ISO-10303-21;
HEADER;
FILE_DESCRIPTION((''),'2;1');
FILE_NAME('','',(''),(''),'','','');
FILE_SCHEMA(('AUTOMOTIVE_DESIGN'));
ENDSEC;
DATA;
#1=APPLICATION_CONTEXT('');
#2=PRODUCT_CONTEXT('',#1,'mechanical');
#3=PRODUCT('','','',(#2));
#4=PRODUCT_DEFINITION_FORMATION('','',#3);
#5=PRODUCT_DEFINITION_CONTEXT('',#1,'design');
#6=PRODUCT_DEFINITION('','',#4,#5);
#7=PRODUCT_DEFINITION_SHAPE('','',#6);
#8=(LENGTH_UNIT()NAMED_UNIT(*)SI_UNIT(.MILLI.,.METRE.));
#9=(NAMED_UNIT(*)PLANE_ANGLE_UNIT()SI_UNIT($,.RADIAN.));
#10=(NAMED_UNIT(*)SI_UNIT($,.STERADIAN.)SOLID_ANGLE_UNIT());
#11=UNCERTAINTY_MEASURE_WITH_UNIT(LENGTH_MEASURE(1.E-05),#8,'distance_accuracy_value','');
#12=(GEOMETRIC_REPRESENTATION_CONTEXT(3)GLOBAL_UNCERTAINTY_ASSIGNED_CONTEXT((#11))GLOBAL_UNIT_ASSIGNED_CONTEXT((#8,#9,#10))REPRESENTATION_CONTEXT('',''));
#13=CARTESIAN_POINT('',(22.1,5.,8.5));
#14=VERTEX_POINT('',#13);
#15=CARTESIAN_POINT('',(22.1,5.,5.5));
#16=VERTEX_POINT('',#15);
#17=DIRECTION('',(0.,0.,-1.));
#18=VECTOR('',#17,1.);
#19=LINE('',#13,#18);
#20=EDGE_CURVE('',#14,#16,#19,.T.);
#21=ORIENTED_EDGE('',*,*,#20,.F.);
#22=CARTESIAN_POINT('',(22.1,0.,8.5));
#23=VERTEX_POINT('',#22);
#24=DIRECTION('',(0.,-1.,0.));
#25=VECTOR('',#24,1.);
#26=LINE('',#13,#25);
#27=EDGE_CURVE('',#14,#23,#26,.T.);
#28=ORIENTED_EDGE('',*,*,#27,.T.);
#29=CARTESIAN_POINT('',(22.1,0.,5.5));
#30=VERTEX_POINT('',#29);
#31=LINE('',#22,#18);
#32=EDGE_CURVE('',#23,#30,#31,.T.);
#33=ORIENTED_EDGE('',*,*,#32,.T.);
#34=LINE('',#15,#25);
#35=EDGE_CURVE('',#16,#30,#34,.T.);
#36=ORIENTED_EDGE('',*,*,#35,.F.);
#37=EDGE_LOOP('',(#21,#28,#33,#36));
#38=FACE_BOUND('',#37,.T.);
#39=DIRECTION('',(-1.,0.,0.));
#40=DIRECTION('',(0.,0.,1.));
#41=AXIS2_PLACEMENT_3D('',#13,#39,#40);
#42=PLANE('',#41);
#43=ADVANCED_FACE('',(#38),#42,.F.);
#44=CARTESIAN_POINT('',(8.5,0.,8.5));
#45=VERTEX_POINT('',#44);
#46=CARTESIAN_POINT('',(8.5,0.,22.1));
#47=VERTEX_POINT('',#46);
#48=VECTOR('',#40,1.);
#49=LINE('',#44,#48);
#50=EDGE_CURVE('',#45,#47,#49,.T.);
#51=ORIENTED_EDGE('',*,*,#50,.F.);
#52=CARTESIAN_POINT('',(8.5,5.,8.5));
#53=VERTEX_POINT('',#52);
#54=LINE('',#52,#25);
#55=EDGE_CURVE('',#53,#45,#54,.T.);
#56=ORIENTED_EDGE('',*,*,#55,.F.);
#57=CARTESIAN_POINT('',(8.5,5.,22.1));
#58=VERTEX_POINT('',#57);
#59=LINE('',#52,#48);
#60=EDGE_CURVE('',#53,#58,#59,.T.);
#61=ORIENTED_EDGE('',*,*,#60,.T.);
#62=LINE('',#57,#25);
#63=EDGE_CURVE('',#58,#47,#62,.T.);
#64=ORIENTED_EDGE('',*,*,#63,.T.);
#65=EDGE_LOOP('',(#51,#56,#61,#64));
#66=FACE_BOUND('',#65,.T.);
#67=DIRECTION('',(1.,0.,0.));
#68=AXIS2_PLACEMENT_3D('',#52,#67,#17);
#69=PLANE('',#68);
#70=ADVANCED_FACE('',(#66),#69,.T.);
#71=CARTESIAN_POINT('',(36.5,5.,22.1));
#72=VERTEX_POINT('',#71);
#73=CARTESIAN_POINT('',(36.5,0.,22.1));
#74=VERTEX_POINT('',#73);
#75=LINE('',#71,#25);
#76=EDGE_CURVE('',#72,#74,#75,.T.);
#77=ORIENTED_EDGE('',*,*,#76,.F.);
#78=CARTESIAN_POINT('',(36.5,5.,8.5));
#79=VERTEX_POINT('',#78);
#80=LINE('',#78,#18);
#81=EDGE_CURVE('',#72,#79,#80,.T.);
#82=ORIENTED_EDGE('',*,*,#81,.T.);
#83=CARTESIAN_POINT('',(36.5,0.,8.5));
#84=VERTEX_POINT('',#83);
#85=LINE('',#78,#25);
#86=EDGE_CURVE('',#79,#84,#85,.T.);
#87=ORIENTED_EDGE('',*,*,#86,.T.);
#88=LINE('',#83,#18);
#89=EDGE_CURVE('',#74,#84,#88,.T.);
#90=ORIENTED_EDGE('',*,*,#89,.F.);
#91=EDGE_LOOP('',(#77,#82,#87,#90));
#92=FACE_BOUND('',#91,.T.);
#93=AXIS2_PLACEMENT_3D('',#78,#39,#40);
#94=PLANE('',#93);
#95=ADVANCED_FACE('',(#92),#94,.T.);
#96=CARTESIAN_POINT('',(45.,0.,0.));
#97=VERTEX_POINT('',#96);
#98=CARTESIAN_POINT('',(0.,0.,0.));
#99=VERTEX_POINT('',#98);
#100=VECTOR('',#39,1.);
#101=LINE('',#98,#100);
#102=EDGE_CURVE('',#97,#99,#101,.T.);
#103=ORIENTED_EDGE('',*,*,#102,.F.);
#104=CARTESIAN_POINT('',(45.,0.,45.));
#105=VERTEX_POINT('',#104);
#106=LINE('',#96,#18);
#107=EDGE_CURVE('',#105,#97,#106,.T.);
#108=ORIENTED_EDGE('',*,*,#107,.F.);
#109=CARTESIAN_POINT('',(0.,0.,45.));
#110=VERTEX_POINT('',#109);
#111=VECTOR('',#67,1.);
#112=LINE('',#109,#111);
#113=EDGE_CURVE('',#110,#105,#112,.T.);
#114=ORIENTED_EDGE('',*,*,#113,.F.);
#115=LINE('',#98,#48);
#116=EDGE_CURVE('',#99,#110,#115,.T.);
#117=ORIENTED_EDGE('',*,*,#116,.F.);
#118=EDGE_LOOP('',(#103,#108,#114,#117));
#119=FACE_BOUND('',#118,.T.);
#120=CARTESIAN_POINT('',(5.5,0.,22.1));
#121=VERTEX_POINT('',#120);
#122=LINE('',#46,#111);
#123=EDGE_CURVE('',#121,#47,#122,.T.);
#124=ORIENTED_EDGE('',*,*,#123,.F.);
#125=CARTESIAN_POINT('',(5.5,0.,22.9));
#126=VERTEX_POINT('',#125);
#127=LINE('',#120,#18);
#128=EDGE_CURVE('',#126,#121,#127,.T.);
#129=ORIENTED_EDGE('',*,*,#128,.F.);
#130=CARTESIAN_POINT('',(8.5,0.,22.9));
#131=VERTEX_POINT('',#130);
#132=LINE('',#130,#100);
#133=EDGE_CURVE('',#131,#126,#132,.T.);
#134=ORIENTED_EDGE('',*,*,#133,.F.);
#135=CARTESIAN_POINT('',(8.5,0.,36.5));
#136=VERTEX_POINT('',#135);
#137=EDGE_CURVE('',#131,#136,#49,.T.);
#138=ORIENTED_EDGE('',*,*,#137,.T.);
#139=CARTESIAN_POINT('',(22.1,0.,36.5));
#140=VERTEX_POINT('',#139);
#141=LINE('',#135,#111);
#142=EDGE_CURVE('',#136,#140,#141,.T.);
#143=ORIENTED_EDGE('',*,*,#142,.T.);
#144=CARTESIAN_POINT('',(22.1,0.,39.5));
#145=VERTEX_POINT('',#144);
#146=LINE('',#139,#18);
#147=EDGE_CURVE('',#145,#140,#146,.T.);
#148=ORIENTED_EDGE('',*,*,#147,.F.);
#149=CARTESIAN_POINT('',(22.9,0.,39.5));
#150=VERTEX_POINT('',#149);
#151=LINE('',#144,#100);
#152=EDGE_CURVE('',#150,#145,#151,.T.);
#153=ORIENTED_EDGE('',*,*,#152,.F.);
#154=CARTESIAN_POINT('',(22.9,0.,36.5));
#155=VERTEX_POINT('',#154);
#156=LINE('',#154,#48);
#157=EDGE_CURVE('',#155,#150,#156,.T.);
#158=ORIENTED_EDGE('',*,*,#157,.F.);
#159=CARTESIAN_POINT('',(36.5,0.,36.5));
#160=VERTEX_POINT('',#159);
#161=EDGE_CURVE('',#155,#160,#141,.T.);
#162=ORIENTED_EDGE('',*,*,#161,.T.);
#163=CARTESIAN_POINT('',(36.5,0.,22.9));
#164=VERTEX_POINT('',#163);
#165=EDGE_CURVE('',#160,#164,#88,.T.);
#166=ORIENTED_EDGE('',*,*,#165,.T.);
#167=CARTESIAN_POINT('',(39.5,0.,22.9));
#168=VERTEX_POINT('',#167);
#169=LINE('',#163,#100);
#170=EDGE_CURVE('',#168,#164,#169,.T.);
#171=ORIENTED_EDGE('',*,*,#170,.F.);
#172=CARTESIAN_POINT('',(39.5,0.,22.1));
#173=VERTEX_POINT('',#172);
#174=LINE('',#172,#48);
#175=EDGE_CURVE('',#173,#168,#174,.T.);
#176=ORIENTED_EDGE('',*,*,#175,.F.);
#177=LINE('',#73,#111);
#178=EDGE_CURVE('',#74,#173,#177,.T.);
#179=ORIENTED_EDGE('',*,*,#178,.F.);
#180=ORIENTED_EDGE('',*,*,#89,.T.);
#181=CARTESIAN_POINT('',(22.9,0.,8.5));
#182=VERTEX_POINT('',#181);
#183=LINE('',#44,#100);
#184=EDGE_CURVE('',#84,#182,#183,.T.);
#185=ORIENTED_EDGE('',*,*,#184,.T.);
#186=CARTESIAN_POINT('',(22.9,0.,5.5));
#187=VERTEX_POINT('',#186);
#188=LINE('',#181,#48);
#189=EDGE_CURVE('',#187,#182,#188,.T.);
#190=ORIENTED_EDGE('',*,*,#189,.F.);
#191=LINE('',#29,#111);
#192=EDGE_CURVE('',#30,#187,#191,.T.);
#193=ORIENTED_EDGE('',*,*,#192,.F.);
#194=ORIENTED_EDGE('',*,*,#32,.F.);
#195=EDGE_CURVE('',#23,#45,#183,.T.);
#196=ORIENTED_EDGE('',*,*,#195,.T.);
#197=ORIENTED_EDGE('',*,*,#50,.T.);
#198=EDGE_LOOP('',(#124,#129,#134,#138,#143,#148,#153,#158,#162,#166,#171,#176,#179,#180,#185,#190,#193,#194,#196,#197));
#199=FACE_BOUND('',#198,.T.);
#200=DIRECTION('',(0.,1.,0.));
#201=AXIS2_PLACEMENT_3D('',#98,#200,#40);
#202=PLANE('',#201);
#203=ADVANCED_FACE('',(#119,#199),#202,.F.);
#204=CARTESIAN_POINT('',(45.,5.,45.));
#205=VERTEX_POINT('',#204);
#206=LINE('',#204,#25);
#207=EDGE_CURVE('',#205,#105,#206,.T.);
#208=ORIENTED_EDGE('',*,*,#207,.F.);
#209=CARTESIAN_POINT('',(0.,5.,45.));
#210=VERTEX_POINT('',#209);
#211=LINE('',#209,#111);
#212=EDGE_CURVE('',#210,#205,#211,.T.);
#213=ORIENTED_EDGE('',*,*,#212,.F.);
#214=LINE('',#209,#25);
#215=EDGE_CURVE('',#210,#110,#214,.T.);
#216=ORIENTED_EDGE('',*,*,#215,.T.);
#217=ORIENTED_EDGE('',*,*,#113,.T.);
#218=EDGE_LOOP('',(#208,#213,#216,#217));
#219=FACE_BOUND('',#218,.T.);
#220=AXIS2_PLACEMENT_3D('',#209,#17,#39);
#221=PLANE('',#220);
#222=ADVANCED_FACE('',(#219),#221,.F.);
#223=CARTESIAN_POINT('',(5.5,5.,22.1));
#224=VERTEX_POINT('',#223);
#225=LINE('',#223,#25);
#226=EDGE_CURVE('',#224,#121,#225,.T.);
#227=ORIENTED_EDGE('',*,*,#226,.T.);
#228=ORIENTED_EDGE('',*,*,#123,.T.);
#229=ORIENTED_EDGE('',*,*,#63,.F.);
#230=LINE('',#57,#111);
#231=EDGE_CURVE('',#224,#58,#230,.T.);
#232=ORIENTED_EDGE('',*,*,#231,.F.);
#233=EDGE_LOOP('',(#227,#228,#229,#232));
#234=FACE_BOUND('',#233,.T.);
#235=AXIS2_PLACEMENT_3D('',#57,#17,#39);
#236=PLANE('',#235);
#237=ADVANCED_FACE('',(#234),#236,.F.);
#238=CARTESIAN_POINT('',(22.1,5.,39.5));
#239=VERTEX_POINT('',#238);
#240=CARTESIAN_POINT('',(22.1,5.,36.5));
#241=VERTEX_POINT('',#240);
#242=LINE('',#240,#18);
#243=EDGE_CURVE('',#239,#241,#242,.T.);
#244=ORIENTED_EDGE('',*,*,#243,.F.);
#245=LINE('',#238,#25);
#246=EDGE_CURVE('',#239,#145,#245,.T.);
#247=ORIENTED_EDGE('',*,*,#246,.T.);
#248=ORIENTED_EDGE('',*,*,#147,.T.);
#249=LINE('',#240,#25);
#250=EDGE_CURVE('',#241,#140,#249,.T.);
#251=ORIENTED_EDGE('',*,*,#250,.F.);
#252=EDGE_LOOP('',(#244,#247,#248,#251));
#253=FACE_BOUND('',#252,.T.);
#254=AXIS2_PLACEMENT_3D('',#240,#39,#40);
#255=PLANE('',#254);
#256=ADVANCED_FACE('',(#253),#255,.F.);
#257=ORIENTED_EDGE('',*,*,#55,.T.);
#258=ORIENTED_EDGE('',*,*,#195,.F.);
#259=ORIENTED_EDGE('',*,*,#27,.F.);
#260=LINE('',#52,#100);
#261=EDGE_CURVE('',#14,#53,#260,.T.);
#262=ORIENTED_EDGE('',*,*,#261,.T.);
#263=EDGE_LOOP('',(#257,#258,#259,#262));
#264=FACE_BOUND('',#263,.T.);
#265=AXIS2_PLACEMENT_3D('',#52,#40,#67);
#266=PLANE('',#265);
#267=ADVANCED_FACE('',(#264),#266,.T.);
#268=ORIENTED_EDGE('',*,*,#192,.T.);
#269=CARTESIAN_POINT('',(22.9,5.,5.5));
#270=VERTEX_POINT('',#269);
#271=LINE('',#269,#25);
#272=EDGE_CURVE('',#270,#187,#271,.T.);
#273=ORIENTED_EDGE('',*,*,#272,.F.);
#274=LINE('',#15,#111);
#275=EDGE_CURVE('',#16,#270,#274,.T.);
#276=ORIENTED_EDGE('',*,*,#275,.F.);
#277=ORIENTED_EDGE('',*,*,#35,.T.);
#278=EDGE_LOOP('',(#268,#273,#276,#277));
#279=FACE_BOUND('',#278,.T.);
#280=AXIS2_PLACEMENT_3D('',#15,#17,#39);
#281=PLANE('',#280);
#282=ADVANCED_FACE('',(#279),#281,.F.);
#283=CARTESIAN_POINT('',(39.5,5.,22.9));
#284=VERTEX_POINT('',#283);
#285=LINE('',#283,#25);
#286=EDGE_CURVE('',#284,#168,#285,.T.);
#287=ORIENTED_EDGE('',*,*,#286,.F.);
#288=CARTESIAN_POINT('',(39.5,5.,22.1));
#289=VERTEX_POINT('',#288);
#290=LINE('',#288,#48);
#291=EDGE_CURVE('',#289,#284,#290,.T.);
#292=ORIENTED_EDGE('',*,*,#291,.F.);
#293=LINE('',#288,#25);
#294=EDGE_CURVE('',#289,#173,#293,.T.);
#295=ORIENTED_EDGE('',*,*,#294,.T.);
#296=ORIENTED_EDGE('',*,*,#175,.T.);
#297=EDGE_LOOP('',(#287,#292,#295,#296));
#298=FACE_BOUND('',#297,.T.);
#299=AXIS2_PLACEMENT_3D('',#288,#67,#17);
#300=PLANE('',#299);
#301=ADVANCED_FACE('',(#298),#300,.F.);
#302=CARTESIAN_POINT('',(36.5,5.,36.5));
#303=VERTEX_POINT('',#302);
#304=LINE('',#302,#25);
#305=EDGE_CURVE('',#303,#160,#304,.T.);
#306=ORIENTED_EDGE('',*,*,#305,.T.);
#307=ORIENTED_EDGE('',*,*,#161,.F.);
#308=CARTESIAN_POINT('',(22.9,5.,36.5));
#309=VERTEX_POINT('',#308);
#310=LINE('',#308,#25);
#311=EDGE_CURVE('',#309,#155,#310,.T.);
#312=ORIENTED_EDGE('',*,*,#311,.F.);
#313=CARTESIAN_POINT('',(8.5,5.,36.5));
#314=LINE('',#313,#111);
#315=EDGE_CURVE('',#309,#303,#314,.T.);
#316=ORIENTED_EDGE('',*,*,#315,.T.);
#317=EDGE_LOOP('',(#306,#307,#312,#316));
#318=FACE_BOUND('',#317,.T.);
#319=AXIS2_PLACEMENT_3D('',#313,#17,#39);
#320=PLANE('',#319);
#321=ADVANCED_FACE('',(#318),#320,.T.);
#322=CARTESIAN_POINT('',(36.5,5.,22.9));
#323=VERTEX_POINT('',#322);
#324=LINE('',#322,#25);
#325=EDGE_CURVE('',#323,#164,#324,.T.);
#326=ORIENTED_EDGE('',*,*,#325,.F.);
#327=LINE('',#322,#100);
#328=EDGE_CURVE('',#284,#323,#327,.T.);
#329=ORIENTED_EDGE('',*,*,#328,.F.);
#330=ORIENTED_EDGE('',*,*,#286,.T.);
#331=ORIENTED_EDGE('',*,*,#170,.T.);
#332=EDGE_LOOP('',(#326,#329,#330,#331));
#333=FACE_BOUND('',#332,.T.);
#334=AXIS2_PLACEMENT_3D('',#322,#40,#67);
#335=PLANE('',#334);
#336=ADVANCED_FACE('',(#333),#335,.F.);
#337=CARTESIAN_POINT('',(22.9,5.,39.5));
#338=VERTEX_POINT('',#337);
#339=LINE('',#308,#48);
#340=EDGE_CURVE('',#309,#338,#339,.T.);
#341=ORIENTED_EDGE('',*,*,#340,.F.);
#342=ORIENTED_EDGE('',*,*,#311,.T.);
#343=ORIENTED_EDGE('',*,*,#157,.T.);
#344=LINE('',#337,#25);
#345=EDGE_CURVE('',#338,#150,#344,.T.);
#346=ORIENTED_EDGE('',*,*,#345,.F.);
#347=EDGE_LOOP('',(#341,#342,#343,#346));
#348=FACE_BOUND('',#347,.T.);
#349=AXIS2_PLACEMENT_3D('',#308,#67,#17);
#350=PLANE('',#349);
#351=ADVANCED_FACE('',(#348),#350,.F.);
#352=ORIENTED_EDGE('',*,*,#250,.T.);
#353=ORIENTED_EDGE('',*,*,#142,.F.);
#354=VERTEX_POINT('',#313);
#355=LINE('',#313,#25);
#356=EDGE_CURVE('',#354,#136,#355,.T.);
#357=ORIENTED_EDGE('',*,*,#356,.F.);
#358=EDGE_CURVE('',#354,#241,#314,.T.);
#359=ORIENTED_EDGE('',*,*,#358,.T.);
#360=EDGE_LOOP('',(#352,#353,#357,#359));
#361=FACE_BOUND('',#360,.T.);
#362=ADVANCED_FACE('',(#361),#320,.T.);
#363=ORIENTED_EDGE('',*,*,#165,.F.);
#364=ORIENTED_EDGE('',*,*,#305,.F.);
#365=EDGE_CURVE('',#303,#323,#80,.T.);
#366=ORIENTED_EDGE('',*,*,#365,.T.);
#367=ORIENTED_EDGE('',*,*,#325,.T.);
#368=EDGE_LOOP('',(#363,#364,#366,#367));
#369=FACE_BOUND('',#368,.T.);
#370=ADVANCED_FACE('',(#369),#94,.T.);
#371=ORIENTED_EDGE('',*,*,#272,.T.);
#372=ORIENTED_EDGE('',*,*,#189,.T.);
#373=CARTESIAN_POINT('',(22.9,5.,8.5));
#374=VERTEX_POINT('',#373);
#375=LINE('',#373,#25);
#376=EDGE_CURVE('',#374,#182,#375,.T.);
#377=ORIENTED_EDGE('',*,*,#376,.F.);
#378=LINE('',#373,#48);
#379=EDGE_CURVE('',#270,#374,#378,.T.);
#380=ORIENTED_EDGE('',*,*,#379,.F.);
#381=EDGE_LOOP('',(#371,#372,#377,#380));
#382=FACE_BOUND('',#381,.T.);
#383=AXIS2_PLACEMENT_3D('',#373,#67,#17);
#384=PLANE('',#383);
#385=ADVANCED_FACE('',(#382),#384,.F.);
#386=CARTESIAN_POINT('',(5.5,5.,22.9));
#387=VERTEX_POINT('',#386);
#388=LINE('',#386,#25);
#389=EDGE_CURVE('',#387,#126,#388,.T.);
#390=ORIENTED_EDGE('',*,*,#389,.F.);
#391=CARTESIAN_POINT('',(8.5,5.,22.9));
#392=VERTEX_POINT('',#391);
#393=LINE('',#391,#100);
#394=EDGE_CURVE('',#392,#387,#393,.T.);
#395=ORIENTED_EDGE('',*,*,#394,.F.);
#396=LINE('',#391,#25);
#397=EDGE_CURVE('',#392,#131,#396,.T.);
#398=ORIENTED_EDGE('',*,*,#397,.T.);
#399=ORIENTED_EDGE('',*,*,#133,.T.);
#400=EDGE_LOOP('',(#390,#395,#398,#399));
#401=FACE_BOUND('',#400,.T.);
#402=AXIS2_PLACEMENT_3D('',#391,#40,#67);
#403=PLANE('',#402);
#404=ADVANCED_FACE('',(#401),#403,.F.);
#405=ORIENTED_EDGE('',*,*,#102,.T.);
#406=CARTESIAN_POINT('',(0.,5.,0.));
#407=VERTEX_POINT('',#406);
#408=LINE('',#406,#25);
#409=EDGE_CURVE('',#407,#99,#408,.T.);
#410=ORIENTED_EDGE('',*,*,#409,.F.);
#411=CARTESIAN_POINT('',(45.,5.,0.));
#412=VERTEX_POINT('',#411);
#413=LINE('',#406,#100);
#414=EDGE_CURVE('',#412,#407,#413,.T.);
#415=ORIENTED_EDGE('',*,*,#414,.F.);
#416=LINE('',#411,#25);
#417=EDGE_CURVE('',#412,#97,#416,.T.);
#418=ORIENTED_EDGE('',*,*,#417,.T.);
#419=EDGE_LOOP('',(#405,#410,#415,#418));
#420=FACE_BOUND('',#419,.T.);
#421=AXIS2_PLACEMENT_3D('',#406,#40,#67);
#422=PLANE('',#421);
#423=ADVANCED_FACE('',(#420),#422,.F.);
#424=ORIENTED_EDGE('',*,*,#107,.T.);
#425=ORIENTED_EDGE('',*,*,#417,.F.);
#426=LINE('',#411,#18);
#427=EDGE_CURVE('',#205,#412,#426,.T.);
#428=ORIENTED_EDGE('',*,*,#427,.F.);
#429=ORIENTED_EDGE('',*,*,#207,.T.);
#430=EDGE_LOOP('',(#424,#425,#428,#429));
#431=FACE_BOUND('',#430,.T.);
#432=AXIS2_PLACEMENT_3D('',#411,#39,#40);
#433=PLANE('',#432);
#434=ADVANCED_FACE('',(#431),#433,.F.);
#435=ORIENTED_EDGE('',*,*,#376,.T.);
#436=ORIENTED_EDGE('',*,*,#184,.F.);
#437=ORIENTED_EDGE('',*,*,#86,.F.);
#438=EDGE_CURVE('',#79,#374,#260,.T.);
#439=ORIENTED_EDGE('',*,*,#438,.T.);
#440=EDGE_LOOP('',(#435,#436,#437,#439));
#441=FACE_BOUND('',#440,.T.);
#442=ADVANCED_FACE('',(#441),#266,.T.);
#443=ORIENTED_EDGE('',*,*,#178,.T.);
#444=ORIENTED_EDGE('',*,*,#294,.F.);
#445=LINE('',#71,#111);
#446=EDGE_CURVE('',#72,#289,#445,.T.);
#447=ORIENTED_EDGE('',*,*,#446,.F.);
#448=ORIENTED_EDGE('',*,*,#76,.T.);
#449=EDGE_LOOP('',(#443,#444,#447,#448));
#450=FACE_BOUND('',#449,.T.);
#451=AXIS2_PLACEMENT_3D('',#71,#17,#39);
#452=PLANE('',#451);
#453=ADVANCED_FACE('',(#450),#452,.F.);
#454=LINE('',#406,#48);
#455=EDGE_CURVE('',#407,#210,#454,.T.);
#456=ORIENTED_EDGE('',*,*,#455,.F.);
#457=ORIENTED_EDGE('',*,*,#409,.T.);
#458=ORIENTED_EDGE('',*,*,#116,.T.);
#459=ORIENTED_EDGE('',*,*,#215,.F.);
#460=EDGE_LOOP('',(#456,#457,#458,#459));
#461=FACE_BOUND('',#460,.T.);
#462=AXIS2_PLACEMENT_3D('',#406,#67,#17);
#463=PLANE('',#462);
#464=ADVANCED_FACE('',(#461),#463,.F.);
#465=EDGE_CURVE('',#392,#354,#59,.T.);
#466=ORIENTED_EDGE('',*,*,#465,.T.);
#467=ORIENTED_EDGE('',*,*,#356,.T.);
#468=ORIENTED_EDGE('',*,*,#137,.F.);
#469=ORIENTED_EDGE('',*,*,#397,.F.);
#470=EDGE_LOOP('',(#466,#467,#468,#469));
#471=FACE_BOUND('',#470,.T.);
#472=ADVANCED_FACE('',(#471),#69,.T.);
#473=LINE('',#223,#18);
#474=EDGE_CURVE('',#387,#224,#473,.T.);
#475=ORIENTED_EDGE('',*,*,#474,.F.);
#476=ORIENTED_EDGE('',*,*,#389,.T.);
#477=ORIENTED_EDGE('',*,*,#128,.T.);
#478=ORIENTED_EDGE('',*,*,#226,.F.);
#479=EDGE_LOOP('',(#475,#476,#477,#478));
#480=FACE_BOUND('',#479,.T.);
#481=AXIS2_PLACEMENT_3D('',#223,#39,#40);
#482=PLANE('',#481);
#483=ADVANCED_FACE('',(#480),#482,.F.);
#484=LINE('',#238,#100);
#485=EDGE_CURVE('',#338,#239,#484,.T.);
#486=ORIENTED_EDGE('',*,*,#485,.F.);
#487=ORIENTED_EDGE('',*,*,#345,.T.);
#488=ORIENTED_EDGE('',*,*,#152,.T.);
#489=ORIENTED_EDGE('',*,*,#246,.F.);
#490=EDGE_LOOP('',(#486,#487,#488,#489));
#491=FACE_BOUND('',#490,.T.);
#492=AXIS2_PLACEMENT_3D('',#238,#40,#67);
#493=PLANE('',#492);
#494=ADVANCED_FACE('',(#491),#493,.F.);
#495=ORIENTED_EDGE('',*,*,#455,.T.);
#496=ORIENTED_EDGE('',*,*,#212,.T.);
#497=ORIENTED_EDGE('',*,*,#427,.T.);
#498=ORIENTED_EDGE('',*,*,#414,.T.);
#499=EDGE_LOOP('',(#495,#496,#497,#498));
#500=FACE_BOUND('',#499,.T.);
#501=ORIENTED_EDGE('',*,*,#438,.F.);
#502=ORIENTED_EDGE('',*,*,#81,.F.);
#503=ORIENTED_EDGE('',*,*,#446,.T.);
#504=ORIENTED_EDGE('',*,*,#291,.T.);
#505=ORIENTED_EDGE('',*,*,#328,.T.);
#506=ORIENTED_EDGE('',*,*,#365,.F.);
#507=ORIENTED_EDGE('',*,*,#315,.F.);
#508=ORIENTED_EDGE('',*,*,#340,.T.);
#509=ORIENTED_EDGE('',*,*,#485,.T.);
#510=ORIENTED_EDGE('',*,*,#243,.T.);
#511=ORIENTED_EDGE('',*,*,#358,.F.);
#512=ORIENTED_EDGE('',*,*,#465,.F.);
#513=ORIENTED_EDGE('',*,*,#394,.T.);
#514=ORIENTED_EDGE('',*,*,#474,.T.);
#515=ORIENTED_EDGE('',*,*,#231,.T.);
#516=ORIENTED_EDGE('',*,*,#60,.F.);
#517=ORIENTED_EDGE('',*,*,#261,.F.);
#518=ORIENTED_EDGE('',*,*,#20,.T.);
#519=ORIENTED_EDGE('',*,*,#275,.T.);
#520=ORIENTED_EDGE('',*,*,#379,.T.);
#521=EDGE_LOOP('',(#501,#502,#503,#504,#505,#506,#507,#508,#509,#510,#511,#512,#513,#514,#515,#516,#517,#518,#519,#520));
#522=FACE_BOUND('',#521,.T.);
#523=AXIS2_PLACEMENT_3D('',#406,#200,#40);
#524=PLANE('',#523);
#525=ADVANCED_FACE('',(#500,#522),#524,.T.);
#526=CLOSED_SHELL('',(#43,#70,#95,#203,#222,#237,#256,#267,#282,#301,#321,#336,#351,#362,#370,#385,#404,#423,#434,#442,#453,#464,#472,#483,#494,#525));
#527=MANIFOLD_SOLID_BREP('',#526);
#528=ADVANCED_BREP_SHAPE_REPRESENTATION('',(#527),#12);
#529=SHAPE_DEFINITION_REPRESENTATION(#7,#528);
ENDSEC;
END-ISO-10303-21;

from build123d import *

# Parameters (mm, degrees)
CROQUIS1_W              = 45
CROQUIS1_H              = 45
CROQUIS1_W_2            = 28
CROQUIS1_H_2            = 28
SALIENTE_EXTRUIR1_DEPTH = 5
CROQUIS2_W              = 0.8
CROQUIS2_H              = 3
CROQUIS2_W_2            = 3
CROQUIS2_H_2            = 0.8
CORTAR_EXTRUIR1_DEPTH   = 5


with BuildPart() as part:
    # Croquis1 → Saliente-Extruir1 (new body)
    with BuildSketch(Plane(origin=(0, 0, 0), x_dir=(1, 0, 0), z_dir=(0, 1, 0))):
        with Locations((22.5, -22.5)):
            Rectangle(CROQUIS1_W, CROQUIS1_H)
        with Locations((22.5, -22.5)):
            Rectangle(CROQUIS1_W_2, CROQUIS1_H_2, mode=Mode.SUBTRACT)
    extrude(amount=SALIENTE_EXTRUIR1_DEPTH)

    # Croquis2 → Cortar-Extruir1 (cut)
    with BuildSketch(Plane.XZ):
        with Locations((22.5, 38)):
            Rectangle(CROQUIS2_W, CROQUIS2_H)
        with Locations((38, 22.5)):
            Rectangle(CROQUIS2_W_2, CROQUIS2_H_2)
        with Locations((22.5, 7)):
            Rectangle(CROQUIS2_W, CROQUIS2_H)
        with Locations((7, 22.5)):
            Rectangle(CROQUIS2_W_2, CROQUIS2_H_2)
    extrude(amount=-CORTAR_EXTRUIR1_DEPTH, mode=Mode.SUBTRACT)


solid = part.part
